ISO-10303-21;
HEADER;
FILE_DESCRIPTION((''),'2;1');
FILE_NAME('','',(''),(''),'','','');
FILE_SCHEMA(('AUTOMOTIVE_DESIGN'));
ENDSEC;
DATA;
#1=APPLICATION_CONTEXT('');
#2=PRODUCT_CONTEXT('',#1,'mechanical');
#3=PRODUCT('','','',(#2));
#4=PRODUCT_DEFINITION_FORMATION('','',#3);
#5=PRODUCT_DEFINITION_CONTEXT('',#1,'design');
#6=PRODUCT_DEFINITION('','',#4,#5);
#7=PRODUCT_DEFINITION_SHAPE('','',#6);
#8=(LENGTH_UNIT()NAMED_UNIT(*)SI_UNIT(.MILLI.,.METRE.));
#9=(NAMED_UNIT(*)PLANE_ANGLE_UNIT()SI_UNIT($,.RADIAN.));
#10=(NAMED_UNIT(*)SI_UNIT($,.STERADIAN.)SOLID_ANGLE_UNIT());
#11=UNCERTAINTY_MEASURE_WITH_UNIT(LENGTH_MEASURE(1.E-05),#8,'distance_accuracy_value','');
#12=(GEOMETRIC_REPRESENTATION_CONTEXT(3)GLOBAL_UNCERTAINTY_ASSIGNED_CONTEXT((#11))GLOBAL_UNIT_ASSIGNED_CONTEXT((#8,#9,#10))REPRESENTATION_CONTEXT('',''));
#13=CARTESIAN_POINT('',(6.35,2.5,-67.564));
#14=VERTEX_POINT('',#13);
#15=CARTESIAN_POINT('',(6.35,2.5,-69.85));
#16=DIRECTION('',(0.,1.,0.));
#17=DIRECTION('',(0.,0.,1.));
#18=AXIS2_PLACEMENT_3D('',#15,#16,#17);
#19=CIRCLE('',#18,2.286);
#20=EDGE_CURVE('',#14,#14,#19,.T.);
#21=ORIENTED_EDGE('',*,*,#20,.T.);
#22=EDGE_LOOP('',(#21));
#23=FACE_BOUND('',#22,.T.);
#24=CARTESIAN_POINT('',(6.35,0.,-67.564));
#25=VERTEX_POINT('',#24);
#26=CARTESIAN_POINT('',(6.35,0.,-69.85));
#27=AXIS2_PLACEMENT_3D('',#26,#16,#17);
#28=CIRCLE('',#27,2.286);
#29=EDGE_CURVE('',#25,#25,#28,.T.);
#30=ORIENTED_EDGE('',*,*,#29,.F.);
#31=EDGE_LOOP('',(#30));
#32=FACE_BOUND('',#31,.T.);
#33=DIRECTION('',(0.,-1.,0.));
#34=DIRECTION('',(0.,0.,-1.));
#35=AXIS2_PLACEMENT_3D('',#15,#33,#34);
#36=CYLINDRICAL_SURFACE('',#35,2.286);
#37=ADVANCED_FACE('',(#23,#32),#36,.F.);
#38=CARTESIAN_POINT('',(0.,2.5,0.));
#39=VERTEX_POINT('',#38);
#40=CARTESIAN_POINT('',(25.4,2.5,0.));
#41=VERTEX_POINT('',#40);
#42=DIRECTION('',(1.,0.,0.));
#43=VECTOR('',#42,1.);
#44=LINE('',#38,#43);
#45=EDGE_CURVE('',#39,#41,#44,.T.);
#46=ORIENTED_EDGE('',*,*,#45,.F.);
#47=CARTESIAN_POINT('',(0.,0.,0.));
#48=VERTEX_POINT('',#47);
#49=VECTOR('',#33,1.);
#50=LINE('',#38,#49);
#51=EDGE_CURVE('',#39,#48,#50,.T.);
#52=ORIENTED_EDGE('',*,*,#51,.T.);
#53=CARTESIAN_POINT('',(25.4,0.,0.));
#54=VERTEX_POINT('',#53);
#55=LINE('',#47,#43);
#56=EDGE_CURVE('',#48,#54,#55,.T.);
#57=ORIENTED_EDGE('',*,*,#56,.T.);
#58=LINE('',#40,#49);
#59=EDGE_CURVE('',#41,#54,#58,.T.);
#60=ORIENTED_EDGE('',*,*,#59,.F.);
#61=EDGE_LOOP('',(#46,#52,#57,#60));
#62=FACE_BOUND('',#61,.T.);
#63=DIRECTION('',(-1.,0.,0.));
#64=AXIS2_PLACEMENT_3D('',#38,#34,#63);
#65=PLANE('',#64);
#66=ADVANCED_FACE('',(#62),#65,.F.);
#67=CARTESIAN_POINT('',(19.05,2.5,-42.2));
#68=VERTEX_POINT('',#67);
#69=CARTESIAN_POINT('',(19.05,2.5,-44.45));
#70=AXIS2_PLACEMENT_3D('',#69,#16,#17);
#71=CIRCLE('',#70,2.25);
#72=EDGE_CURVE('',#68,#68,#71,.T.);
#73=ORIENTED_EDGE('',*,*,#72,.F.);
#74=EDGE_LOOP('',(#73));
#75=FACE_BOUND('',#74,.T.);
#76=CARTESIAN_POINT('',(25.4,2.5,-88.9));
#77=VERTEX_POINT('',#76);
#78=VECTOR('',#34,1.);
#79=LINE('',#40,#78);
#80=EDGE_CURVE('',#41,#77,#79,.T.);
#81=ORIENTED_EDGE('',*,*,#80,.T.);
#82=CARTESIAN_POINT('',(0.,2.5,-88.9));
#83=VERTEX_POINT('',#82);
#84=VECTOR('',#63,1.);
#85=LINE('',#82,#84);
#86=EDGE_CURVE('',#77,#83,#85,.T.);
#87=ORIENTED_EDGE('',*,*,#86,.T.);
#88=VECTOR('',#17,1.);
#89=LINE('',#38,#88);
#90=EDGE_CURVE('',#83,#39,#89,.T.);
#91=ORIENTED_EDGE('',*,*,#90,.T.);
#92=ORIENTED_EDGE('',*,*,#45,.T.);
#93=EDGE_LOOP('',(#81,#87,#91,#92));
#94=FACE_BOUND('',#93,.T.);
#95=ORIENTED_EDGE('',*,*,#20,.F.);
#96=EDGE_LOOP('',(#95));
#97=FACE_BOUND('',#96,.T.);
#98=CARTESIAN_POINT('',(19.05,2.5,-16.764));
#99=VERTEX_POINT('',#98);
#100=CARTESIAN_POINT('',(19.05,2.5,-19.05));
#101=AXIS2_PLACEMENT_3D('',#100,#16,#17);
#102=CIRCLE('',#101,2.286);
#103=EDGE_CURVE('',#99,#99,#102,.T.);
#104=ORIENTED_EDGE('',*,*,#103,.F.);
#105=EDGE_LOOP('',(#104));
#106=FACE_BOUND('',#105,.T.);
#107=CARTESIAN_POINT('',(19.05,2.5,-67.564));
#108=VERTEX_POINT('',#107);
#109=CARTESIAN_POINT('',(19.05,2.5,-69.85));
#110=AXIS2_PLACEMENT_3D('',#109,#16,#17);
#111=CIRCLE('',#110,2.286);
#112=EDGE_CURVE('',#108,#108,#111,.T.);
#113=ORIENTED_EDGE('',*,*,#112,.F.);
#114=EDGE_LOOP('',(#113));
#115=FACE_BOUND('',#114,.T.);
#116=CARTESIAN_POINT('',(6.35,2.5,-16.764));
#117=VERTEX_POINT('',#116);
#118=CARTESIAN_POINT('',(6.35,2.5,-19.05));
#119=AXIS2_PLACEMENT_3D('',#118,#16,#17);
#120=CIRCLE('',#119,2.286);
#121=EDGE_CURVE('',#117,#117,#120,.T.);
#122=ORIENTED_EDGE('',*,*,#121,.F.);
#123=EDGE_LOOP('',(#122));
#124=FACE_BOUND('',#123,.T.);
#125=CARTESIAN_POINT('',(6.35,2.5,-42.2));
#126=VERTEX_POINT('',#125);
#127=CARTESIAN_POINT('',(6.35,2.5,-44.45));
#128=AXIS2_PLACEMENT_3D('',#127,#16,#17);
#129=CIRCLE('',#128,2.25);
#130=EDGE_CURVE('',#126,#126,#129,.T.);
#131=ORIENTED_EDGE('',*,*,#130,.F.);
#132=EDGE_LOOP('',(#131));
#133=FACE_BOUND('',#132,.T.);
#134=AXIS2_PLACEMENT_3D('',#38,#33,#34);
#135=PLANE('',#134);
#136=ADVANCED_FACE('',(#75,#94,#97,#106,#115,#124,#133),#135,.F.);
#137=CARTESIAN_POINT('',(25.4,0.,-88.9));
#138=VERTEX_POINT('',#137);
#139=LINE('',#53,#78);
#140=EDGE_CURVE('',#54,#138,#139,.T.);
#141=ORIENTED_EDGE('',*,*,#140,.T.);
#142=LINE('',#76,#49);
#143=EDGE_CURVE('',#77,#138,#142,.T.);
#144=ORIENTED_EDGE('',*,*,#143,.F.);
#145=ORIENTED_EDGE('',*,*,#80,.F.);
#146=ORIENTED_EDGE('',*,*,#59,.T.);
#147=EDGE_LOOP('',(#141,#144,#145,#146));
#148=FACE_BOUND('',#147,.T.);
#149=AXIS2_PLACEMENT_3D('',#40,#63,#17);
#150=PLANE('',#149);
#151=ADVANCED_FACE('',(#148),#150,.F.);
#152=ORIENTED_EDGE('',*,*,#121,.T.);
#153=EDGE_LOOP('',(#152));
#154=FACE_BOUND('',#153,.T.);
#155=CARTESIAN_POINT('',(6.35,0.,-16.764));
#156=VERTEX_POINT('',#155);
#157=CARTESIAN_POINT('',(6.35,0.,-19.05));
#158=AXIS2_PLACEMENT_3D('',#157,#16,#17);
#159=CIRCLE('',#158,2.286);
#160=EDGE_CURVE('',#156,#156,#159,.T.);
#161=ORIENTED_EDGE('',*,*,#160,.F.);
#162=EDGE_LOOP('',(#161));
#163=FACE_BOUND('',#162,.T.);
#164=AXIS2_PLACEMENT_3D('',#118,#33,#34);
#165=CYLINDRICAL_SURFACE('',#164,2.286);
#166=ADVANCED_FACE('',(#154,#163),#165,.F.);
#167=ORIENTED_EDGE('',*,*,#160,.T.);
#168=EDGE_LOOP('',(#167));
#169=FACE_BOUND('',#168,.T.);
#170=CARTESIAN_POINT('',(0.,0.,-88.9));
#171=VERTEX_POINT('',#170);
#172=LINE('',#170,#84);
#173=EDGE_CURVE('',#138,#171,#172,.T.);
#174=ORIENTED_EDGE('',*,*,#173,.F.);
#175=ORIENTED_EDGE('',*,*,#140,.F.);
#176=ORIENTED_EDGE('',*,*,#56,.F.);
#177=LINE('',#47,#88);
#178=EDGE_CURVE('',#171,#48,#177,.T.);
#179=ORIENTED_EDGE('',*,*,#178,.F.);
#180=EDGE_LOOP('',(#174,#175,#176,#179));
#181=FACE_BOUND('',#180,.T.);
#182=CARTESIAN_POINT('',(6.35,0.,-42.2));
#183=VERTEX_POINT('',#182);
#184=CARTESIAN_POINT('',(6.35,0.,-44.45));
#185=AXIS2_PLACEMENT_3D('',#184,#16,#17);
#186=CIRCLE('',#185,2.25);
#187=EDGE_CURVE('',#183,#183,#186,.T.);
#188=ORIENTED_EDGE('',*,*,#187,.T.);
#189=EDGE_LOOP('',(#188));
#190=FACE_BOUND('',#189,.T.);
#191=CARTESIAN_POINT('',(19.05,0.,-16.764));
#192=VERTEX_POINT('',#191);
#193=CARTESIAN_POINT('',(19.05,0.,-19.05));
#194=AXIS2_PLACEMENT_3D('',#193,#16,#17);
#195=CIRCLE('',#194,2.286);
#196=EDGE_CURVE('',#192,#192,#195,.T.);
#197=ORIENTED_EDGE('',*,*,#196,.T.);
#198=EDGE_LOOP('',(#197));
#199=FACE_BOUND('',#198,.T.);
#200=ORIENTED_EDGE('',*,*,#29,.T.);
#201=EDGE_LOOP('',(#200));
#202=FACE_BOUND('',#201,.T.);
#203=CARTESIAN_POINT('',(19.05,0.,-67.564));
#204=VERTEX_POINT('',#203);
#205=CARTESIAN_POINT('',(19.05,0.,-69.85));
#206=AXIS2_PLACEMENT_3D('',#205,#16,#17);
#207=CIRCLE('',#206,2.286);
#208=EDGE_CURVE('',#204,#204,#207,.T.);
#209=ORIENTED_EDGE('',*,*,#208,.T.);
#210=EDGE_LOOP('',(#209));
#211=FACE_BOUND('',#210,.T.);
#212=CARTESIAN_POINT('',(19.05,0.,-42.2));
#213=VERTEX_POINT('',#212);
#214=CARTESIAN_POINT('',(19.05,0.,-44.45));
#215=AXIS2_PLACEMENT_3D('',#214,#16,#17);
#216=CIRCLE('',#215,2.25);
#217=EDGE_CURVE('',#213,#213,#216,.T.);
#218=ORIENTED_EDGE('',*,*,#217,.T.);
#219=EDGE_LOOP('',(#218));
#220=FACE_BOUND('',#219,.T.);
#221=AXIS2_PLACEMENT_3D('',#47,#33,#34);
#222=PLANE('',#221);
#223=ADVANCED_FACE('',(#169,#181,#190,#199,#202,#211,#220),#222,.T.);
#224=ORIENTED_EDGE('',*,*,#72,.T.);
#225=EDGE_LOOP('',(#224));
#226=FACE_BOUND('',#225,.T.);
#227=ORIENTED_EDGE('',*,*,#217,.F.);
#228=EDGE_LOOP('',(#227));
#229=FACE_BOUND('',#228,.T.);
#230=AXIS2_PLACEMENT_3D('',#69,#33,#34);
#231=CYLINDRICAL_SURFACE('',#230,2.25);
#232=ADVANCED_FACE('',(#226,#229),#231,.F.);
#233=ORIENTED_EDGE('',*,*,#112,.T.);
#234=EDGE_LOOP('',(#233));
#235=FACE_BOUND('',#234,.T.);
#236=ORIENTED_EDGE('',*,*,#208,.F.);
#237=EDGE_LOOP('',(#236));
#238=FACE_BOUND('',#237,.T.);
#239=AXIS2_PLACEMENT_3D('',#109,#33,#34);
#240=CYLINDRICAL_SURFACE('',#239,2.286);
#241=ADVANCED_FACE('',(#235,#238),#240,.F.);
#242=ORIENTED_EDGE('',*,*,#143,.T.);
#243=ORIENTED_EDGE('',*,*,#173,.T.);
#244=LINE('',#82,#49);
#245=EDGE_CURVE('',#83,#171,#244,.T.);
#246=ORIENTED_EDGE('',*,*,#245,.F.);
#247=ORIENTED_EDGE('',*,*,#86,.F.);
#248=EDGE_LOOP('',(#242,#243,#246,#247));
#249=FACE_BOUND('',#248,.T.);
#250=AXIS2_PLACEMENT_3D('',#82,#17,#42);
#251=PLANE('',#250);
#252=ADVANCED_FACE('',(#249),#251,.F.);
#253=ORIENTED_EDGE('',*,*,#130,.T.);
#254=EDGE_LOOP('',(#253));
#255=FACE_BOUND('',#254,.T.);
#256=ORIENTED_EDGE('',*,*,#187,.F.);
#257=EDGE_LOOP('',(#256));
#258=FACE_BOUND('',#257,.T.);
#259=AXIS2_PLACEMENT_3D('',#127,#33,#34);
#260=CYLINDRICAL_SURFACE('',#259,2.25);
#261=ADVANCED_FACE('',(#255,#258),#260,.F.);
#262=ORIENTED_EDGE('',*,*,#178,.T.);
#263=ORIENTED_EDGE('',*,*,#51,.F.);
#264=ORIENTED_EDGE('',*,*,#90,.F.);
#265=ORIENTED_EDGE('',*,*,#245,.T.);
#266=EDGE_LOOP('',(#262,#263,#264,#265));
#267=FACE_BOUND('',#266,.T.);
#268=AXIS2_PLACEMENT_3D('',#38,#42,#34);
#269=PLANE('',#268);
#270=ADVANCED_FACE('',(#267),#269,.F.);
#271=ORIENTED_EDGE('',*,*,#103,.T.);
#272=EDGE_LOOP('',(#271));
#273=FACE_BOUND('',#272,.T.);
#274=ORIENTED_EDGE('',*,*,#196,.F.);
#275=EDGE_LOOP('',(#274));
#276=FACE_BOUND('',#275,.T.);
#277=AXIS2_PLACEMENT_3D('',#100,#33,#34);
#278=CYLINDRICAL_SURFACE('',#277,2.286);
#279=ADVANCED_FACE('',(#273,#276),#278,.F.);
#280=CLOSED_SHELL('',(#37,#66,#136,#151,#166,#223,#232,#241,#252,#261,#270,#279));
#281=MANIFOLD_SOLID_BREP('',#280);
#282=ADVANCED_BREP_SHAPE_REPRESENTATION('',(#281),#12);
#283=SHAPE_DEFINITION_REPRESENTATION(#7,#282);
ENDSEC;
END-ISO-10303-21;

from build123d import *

# Parameters (mm, degrees)
SKETCH1_W           = 25.4
SKETCH1_H           = 88.9
SKETCH1_R           = 2.286
SKETCH1_R_2         = 2.25
BOSS_EXTRUDE1_DEPTH = 2.5


with BuildPart() as part:
    # Sketch1 → Boss-Extrude1 (new body)
    with BuildSketch(Plane(origin=(0, 0, 0), x_dir=(1, 0, 0), z_dir=(0, 1, 0))):
        with Locations((12.7, 44.45)):
            Rectangle(SKETCH1_W, SKETCH1_H)
        with Locations(Location((6.35, 69.85, 0), (0, 0, 270))):
            Circle(SKETCH1_R, mode=Mode.SUBTRACT)
        with Locations(Location((19.05, 69.85, 0), (0, 0, 270))):
            Circle(SKETCH1_R, mode=Mode.SUBTRACT)
        with Locations(Location((19.05, 19.05, 0), (0, 0, 270))):
            Circle(SKETCH1_R, mode=Mode.SUBTRACT)
        with Locations(Location((6.35, 19.05, 0), (0, 0, 270))):
            Circle(SKETCH1_R, mode=Mode.SUBTRACT)
        with Locations(Location((6.35, 44.45, 0), (0, 0, 270))):
            Circle(SKETCH1_R_2, mode=Mode.SUBTRACT)
        with Locations(Location((19.05, 44.45, 0), (0, 0, 270))):
            Circle(SKETCH1_R_2, mode=Mode.SUBTRACT)
    extrude(amount=BOSS_EXTRUDE1_DEPTH)


solid = part.part
